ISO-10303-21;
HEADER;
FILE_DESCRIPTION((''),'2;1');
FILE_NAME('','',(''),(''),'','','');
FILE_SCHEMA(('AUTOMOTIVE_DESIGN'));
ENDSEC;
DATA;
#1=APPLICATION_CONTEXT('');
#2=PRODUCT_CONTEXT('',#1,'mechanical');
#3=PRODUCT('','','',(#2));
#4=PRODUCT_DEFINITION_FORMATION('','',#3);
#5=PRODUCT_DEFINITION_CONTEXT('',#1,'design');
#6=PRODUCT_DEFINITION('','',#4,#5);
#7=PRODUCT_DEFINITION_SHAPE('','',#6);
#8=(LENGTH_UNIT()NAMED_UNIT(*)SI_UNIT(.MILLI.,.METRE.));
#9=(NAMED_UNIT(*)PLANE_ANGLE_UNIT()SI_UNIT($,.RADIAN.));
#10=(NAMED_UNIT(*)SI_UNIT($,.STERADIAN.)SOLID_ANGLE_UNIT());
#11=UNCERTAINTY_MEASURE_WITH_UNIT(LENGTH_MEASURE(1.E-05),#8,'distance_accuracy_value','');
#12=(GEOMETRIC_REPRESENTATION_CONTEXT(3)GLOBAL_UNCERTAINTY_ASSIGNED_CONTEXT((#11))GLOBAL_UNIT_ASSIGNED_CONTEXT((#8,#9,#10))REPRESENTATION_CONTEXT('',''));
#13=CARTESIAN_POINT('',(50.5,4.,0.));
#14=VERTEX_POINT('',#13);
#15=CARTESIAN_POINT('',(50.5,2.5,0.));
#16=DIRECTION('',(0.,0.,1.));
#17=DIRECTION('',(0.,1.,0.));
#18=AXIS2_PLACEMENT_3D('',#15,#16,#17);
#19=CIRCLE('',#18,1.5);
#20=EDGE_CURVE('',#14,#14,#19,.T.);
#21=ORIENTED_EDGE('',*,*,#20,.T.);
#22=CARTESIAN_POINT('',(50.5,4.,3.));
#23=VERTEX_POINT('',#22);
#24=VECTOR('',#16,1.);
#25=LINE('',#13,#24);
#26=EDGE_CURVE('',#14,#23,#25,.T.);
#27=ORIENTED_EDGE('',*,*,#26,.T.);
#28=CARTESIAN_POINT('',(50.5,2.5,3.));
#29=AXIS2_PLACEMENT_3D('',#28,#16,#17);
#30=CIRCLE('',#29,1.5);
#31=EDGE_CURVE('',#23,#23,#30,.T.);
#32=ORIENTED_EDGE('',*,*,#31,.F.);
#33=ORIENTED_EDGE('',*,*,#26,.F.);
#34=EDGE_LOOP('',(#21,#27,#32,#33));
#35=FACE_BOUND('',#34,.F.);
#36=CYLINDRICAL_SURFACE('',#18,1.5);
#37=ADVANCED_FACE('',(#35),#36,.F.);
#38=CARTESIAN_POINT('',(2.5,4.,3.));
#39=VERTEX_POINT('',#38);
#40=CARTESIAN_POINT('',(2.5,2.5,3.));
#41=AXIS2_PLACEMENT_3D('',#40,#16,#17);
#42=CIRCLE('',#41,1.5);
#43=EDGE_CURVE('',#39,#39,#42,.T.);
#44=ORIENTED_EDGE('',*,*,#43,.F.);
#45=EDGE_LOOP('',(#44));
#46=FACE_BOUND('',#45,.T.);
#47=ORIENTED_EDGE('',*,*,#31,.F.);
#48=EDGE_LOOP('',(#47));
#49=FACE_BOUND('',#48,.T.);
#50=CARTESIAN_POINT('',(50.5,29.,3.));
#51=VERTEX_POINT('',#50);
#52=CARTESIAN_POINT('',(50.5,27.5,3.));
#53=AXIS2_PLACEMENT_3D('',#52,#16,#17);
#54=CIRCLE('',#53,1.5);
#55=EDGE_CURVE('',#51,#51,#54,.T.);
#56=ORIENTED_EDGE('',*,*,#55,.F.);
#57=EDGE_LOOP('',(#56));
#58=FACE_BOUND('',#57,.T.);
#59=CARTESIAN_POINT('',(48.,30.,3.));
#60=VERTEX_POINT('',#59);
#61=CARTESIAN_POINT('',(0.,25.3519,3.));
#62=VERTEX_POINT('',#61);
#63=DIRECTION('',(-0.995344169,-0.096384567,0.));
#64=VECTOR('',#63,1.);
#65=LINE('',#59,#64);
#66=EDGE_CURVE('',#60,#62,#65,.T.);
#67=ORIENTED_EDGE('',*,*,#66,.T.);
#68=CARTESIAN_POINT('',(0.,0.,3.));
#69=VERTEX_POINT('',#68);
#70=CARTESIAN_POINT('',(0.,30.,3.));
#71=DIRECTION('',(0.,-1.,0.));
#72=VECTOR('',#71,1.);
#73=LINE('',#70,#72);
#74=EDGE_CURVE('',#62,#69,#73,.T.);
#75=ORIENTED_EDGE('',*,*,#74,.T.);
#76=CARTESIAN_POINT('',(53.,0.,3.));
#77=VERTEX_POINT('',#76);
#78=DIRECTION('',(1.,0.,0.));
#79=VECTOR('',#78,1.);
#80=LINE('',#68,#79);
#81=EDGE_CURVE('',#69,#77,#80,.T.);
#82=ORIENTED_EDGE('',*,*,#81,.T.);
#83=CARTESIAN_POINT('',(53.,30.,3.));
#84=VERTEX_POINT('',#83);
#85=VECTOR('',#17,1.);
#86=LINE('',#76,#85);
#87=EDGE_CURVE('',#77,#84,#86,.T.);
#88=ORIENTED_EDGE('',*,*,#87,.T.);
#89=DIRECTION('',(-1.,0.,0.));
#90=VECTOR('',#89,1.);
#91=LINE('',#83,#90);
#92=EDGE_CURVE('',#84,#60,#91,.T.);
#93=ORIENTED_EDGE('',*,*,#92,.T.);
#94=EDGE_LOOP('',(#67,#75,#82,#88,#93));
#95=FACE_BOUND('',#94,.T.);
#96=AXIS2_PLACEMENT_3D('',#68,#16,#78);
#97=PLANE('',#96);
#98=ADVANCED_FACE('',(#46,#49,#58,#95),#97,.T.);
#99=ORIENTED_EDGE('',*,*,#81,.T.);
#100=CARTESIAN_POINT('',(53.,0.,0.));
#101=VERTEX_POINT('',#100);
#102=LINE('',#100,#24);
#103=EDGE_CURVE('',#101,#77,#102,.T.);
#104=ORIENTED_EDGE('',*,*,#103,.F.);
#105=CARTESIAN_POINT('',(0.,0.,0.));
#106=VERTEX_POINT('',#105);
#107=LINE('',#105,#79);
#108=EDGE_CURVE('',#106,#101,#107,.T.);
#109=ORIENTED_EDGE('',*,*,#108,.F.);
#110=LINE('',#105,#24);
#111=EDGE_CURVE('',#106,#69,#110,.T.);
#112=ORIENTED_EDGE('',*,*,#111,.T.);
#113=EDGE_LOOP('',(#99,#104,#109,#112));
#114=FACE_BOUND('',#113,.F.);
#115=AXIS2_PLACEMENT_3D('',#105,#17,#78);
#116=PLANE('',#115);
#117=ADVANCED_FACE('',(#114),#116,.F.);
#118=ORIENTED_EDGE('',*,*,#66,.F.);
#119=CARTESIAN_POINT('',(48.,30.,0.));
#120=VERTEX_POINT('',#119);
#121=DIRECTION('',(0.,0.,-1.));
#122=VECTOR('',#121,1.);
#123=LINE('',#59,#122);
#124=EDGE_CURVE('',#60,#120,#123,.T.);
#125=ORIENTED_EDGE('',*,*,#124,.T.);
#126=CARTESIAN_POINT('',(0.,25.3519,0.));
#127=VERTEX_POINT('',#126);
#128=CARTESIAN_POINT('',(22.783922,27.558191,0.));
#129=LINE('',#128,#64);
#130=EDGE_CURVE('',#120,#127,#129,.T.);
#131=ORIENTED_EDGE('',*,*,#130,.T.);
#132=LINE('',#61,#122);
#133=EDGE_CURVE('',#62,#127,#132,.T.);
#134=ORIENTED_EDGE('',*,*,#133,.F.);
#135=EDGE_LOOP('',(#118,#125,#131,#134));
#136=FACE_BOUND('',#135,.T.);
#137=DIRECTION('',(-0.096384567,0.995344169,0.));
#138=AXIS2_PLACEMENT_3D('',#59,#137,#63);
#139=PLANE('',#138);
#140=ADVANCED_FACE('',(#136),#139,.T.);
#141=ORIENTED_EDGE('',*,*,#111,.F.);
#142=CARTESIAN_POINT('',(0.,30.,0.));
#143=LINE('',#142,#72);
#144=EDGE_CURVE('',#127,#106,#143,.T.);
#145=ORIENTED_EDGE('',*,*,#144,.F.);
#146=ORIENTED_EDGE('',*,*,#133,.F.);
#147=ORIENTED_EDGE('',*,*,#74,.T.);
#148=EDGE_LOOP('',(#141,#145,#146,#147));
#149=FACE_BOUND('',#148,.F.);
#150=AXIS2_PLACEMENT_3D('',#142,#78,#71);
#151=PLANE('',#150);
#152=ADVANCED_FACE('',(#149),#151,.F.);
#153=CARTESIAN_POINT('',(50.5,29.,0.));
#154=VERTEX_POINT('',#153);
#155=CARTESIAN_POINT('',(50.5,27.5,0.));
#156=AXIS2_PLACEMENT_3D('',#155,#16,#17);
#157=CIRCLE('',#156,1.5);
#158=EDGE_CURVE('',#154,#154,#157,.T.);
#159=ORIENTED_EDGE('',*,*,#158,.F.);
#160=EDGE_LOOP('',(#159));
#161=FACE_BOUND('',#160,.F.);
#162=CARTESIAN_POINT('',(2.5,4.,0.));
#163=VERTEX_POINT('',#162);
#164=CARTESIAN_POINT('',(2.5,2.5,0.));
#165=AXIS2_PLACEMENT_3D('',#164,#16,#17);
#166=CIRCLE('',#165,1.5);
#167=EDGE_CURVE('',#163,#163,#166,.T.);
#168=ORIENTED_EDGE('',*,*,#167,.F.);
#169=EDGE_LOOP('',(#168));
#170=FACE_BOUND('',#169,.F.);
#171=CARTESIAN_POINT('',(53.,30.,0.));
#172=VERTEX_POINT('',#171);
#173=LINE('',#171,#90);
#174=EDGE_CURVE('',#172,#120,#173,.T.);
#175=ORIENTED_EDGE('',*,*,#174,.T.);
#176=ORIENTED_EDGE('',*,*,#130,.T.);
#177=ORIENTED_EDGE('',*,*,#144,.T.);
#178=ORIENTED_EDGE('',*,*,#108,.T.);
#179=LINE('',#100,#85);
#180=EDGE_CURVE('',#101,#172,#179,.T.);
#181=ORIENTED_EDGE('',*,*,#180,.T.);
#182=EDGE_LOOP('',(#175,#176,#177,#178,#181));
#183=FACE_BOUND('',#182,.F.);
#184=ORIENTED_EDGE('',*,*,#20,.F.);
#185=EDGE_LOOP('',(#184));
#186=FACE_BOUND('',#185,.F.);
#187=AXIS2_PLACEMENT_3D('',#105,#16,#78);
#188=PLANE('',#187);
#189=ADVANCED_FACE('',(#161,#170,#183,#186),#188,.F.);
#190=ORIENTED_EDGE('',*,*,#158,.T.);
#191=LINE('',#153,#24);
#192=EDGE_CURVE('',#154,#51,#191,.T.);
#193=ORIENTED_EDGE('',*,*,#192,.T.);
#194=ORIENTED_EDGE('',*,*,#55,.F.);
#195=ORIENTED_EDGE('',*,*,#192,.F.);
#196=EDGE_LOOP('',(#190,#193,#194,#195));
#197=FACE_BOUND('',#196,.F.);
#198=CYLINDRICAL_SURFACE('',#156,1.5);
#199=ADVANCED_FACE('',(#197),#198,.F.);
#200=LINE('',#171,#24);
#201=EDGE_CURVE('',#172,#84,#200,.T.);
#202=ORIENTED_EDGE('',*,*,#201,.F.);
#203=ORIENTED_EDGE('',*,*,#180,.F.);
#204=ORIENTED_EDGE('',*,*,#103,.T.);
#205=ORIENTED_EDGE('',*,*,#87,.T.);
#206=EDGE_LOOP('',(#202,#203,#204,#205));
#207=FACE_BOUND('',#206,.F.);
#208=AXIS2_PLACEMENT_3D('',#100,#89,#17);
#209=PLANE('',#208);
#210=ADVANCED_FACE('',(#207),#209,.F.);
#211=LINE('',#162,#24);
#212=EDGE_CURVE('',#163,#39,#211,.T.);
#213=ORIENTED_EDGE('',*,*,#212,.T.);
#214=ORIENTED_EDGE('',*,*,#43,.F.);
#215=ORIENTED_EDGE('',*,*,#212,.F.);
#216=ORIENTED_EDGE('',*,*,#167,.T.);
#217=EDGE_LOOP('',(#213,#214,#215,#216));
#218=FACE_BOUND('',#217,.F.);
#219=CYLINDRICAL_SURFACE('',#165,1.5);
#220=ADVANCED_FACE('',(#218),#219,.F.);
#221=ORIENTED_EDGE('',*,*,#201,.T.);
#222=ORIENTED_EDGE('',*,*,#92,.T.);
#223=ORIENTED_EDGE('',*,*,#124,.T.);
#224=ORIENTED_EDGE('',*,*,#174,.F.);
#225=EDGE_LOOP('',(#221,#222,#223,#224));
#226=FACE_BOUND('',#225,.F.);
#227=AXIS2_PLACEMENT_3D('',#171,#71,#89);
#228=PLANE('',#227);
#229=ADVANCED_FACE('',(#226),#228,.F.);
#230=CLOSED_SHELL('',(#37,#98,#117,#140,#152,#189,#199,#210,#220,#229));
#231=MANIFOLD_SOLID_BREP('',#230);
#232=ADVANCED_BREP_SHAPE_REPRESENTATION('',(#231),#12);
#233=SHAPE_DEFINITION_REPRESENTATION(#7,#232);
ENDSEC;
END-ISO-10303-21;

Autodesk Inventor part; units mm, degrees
ref_plane "YZ Plane" through (0, 0, 0) normal (1, 0, 0) x (0, 1, 0)
ref_plane "XZ Plane" through (0, 0, 0) normal (0, 1, 0) x (-1, 0, 0)
ref_plane "XY Plane" through (0, 0, 0) normal (0, 0, 1) x (1, 0, 0)
sketch "Sketch1" plane through (0, 0, 0) normal (0, 0, 1) x (1, 0, 0)
  line L0 (0, 0) -> (53, 0)
  line L1 (53, 0) -> (53, 30)
  line L2 (53, 30) -> (0, 30)
  line L3 (0, 30) -> (0, 0)
  point P0 (2.5, 2.5)
  point P1 (50.5, 2.5)
  point P2 (50.5, 27.5)
  dimension "d0" = 53
  dimension "d1" = 30
extrude "Extrusion1" add sketch "Sketch1" along normal blind 3
hole "Hole1" at (2.5, 2.5, 0) at (50.5, 2.5, 0) at (50.5, 27.5, 0) direction (0, 0, 1) diameter 3 end through all
sketch "Sketch2" plane through (0, 0, 3) normal (0, 0, 1) x (1, 0, 0)
  line L0 (53, 0) -> (53, 30) projected
  line L1 (53, 30) -> (48, 30)
  line L2 (53, 30) -> (0, 30) projected
  line L3 (48, 30) -> (0, 25.3519)
  line L4 (0, 30) -> (0, 0) projected
  line L5 (0, 30) -> (48, 30)
  dimension "d11" = 5
extrude "Extrusion2" cut sketch "Sketch2" against normal through all
properties part number "head-sideplate" material "Aluminum 6061"
